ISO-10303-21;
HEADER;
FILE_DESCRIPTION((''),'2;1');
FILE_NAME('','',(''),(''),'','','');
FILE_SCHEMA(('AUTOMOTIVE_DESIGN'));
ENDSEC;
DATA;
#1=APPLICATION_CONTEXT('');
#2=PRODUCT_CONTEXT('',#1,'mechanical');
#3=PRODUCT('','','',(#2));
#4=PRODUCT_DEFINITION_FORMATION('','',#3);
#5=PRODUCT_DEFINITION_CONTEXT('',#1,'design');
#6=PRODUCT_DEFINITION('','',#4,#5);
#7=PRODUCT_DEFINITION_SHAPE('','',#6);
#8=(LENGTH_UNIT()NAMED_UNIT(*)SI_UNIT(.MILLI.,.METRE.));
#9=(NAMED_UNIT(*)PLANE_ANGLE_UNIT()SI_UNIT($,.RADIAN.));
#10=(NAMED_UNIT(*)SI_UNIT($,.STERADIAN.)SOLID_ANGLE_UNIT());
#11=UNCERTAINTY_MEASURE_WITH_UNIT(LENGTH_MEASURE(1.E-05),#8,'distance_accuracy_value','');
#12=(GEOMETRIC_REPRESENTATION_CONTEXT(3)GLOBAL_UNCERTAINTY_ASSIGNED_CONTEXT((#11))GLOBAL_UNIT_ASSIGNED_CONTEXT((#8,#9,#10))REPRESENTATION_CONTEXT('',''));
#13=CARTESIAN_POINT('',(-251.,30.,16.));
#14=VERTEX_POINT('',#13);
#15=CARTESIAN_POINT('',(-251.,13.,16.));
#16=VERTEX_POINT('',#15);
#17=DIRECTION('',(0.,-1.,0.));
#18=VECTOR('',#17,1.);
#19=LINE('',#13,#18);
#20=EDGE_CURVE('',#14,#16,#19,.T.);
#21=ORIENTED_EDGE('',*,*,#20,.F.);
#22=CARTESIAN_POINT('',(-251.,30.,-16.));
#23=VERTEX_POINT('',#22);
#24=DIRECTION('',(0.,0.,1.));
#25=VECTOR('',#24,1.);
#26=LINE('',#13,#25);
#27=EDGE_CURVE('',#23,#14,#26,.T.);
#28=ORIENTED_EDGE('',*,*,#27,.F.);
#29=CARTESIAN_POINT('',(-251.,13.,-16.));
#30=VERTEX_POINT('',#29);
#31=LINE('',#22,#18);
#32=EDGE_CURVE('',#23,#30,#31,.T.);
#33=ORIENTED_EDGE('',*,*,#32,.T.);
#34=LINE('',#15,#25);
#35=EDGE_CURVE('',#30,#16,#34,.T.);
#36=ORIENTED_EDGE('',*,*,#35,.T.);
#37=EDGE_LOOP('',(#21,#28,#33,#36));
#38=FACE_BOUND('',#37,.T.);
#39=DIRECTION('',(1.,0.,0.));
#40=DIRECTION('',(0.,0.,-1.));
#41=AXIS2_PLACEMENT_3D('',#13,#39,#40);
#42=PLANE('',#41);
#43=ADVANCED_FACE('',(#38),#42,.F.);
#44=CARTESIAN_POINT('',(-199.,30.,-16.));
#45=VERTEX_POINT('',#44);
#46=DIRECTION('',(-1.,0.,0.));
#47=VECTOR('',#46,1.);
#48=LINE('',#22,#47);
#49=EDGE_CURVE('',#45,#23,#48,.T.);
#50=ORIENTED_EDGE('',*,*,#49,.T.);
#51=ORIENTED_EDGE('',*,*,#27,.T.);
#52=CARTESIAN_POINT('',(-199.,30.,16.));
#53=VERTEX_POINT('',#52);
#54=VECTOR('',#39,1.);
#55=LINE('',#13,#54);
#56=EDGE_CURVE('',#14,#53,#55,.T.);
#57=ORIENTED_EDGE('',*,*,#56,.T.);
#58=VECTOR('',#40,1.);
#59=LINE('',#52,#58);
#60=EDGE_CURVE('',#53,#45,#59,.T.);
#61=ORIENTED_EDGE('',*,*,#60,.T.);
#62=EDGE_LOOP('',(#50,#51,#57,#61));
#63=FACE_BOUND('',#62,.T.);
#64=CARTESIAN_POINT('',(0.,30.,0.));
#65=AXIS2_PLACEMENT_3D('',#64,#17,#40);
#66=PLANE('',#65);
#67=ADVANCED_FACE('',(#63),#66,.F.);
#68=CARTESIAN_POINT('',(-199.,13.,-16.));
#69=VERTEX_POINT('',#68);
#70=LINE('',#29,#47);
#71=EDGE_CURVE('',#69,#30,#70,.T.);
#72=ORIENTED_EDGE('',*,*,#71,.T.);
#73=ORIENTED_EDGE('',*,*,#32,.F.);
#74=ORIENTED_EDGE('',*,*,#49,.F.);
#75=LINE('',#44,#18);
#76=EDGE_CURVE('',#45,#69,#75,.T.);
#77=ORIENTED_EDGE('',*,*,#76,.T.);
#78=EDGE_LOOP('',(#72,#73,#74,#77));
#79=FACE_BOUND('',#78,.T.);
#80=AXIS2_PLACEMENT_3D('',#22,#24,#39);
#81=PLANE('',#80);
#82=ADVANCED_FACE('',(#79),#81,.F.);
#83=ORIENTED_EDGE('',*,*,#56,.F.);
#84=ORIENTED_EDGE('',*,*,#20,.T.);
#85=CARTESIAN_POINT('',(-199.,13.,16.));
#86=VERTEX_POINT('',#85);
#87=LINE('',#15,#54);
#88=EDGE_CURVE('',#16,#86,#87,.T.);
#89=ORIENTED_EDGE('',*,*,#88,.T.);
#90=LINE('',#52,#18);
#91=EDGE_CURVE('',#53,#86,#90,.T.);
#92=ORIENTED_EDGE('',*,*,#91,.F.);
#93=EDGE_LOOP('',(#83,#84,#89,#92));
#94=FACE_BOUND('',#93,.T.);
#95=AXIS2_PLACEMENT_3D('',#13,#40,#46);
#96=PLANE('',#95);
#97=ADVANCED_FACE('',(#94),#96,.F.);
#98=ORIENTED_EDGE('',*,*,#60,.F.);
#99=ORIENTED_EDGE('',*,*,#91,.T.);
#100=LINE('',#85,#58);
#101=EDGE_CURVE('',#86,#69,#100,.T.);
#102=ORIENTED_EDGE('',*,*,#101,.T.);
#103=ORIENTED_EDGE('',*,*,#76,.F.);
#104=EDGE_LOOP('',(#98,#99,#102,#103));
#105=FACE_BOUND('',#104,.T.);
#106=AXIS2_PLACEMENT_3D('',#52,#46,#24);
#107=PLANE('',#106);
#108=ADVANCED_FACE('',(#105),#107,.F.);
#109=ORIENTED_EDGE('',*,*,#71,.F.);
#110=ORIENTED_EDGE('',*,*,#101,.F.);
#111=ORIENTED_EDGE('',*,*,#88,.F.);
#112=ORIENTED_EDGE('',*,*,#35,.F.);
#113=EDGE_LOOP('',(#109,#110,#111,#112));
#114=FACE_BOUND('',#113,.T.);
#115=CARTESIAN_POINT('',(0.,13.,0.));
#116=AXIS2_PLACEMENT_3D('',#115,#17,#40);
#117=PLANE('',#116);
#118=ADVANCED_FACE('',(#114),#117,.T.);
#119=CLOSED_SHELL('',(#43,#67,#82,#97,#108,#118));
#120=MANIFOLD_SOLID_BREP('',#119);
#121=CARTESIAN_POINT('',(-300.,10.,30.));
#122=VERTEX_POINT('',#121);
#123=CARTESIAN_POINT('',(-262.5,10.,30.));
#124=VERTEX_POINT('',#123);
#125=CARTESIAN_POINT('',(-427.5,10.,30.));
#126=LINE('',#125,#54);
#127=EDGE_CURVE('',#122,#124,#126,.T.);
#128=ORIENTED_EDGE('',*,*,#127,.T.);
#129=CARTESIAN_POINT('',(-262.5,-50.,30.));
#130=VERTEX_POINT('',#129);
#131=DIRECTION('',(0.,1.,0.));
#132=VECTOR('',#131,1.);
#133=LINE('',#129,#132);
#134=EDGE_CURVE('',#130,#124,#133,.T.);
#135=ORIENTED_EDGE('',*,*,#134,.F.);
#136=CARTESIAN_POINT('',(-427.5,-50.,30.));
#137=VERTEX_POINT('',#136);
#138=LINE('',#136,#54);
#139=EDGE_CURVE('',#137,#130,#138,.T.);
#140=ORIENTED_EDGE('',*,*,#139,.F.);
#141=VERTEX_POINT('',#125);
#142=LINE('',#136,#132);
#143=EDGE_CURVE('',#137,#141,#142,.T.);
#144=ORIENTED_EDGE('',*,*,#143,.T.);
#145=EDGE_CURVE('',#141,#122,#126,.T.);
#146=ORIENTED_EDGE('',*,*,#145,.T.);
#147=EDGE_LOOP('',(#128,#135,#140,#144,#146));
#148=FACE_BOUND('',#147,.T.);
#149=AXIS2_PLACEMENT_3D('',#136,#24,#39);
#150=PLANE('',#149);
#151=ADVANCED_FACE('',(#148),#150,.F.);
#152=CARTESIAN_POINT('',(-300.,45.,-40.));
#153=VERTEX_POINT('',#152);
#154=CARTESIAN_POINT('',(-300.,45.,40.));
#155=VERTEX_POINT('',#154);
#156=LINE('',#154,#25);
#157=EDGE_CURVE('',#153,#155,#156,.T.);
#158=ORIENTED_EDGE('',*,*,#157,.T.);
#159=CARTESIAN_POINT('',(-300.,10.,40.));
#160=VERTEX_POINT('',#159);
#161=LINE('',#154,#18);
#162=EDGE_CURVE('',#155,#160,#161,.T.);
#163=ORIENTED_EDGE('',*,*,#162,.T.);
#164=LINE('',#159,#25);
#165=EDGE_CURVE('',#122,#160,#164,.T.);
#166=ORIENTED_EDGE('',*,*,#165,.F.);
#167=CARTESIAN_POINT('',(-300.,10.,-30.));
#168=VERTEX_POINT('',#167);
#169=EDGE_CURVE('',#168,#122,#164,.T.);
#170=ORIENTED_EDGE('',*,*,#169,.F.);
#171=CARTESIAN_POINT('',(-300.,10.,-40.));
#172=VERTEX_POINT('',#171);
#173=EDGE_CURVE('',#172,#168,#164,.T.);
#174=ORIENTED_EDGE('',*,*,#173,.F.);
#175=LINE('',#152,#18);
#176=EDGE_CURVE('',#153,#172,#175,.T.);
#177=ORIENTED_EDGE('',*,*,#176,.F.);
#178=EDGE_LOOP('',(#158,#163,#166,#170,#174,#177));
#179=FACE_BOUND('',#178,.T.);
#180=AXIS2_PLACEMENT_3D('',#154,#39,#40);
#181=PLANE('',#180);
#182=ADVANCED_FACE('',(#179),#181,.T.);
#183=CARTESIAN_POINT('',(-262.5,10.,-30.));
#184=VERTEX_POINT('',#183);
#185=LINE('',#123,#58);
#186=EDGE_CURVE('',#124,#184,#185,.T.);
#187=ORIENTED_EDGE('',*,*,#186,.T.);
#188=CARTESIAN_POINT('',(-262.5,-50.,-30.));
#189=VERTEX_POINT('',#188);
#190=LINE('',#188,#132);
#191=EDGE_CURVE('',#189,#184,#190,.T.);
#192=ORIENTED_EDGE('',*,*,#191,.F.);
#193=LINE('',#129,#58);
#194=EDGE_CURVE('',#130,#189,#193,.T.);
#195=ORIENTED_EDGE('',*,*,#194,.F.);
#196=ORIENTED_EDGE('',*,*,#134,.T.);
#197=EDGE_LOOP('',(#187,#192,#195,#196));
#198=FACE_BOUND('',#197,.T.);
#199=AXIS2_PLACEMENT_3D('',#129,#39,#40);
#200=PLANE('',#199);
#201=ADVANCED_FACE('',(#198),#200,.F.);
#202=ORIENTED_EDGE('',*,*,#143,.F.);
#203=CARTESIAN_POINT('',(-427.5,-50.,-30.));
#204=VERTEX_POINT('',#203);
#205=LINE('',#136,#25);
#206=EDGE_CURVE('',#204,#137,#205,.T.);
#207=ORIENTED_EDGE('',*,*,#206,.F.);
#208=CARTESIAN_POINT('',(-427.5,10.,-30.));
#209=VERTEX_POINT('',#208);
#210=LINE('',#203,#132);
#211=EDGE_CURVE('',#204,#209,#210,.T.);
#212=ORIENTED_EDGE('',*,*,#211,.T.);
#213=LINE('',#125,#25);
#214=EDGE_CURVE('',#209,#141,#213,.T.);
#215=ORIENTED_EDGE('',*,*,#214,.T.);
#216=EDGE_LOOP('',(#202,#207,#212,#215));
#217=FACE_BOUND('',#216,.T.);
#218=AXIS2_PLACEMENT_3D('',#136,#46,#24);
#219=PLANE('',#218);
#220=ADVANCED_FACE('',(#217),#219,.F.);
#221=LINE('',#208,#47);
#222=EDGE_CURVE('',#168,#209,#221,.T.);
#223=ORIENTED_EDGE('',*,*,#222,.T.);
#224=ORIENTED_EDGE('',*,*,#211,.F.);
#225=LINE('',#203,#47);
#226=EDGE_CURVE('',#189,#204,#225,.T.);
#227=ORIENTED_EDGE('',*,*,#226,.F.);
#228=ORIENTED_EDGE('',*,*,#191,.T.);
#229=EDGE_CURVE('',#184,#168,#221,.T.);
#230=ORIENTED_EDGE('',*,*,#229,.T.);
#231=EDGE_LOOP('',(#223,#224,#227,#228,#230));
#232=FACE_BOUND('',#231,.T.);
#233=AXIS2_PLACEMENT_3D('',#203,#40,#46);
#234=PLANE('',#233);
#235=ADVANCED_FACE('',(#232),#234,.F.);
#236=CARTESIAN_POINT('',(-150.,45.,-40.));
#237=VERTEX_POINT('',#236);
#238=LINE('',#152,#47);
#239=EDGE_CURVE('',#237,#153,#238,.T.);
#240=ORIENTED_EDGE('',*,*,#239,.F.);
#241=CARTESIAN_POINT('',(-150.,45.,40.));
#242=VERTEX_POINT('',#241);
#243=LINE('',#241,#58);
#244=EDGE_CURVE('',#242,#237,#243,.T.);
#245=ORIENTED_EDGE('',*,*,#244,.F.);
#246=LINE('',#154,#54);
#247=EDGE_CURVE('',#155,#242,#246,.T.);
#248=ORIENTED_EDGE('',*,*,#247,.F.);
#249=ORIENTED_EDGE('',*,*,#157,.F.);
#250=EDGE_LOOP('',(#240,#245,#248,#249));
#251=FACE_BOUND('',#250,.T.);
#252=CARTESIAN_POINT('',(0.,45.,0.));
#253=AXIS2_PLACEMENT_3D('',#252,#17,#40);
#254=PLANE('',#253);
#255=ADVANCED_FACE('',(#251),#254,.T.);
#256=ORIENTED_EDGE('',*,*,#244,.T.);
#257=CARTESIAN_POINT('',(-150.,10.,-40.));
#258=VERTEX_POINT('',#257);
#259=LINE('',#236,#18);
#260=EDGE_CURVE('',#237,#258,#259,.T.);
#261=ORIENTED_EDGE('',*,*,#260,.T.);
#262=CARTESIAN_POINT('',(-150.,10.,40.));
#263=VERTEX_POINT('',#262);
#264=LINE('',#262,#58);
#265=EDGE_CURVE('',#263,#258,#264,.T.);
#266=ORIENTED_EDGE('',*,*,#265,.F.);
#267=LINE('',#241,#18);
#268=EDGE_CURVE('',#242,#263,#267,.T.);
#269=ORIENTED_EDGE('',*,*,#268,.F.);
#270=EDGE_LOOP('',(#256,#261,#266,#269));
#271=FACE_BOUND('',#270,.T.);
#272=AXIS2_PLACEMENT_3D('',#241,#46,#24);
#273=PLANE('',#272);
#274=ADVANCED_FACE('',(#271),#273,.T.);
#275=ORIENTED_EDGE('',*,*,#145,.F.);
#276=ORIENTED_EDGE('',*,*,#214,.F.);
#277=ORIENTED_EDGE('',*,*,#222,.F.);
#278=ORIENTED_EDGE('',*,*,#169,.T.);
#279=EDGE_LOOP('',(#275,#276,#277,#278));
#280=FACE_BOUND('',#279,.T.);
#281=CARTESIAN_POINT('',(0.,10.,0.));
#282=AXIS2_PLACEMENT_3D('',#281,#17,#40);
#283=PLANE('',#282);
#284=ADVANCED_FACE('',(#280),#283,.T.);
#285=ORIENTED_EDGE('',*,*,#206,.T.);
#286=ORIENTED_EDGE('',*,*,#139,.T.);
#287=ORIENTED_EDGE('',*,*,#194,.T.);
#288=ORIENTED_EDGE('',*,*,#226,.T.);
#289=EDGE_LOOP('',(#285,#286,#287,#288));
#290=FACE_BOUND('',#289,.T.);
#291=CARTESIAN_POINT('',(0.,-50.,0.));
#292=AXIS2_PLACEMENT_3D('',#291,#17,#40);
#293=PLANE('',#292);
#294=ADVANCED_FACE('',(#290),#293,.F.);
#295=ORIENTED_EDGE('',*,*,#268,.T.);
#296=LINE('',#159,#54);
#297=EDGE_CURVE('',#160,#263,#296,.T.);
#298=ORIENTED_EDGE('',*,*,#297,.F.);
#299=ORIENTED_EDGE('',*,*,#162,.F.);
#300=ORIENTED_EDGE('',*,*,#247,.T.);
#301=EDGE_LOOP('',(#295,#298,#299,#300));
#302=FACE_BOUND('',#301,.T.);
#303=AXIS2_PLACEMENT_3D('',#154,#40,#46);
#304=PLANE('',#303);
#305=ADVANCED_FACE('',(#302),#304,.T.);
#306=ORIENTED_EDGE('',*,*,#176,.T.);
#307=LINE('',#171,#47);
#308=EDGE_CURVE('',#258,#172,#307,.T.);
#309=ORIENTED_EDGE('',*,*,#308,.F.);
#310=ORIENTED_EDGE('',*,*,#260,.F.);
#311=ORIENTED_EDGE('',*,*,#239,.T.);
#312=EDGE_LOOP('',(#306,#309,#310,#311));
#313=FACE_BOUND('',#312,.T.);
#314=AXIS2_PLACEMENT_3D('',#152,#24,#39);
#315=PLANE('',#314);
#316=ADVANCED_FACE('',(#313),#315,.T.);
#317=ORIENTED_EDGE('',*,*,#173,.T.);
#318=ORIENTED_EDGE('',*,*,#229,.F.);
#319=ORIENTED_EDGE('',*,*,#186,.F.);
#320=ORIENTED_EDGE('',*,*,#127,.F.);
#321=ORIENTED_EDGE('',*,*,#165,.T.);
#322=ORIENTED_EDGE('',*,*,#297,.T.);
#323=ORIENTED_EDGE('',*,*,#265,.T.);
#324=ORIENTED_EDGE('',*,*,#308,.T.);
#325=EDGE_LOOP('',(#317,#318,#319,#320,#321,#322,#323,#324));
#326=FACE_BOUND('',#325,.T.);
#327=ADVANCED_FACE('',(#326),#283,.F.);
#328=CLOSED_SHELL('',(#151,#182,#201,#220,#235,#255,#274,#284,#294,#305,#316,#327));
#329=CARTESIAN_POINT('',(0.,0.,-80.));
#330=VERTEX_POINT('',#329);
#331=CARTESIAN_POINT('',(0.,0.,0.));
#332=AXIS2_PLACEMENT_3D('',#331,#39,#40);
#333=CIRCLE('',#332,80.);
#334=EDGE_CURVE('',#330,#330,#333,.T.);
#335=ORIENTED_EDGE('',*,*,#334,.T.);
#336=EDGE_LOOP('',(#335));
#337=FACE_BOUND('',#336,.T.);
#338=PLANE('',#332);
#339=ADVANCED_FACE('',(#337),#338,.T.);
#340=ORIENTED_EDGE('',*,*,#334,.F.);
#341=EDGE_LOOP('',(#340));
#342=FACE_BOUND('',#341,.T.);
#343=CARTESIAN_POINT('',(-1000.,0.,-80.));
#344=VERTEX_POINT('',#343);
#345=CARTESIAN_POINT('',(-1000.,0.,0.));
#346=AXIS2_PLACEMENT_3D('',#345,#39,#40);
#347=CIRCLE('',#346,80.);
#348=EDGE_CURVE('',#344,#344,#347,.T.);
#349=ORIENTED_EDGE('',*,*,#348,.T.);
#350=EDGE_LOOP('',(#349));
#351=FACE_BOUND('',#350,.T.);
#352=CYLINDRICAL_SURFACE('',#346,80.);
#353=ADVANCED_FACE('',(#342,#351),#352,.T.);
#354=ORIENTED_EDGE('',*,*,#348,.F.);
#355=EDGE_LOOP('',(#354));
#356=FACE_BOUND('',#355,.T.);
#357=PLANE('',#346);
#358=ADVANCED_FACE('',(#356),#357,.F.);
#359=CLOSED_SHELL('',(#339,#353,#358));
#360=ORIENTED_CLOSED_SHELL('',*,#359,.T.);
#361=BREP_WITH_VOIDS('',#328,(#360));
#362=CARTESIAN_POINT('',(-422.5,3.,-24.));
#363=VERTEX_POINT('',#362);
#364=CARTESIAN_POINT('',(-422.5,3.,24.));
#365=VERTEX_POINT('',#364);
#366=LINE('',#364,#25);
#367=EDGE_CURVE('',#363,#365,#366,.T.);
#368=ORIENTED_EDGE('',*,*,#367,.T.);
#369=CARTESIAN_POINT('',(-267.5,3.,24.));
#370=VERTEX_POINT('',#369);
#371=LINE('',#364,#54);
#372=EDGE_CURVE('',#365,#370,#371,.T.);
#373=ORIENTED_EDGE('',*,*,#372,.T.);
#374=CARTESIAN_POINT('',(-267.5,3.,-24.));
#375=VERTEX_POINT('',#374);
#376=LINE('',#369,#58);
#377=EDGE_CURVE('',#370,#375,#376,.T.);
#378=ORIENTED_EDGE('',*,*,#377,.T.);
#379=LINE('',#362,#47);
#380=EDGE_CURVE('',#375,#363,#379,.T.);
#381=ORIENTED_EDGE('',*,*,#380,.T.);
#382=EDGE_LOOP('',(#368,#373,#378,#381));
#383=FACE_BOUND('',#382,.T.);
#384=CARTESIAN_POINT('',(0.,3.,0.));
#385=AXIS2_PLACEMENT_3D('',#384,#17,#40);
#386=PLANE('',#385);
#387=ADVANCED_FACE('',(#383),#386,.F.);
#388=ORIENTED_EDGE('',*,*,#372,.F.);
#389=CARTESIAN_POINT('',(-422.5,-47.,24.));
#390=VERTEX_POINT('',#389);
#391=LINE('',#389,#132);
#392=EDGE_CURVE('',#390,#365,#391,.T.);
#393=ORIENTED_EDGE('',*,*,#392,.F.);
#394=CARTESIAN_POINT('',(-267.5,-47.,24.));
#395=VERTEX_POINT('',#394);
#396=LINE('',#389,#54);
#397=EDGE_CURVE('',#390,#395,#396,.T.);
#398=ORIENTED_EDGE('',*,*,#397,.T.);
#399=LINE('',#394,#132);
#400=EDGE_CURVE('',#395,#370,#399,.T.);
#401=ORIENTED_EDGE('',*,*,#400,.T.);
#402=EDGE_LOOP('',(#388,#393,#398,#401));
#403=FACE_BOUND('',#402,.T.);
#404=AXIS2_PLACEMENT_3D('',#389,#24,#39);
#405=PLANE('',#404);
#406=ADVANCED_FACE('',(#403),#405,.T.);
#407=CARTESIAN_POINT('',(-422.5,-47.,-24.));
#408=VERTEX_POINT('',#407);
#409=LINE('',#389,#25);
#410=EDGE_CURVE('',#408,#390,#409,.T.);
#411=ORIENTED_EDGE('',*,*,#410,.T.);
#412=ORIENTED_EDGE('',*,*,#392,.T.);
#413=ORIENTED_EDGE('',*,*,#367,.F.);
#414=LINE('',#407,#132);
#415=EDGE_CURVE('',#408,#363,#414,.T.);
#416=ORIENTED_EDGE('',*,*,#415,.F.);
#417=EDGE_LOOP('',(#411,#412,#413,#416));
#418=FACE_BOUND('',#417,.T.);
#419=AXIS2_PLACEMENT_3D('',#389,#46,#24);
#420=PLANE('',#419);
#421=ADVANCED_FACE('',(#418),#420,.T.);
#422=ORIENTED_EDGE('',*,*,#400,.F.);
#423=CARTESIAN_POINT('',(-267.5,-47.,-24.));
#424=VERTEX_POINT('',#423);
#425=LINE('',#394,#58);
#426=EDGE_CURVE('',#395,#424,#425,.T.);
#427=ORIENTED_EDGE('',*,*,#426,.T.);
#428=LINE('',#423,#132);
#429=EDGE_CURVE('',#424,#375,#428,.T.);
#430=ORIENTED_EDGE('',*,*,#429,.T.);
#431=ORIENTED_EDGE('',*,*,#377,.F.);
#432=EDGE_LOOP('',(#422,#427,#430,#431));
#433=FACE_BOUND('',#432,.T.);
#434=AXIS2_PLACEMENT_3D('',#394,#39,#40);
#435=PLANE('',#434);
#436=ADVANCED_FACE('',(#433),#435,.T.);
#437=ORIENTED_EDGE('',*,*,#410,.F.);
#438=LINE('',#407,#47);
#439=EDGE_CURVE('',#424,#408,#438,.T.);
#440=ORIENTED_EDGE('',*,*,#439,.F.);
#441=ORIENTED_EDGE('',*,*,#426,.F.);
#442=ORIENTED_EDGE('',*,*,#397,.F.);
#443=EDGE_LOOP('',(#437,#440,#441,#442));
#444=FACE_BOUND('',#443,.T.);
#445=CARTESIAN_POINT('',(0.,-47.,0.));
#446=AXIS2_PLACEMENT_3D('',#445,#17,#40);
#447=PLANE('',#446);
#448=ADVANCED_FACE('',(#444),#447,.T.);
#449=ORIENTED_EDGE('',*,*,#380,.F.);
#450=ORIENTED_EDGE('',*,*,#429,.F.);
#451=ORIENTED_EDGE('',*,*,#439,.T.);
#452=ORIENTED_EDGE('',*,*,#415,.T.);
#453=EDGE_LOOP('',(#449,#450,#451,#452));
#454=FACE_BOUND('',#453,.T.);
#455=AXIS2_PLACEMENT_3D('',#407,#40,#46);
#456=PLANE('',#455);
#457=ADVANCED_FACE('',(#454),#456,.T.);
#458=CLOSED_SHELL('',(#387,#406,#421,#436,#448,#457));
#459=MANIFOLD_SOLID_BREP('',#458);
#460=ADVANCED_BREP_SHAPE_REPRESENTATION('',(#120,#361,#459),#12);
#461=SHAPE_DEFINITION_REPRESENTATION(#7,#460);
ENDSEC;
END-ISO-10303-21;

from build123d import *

# Parameters (mm, degrees)
SKETCH1_R          = 80
FOAMBODY_DEPTH     = 1000
BATTERY_START      = 10
SKETCH2_W          = 165
SKETCH2_H          = 60
BATTERY_BAY_DEPTH  = 60
FOAM_START         = 10
SKETCH3_W          = 150
SKETCH3_H          = 80
FOAM_DEPTH         = 35
BATTERY_DEPTH      = 3
BATTERY_DEPTH_BACK = 47
SKETCH4_W          = 155
SKETCH4_H          = 48
FC_START           = 13
SKETCH5_W          = 52
SKETCH5_H          = 32
FC_DEPTH           = 17


with BuildPart() as part:
    # Sketch1 → FoamBody (new body)
    with BuildSketch(Plane(origin=(0, 0, 0), x_dir=(0, 0, -1), z_dir=(1, 0, 0))):
        Circle(SKETCH1_R)
    extrude(amount=-FOAMBODY_DEPTH)

    # Sketch2 → battery bay (cut)
    with BuildSketch(Plane(origin=(0, 0, 0), x_dir=(1, 0, 0), z_dir=(0, 1, 0)).offset(BATTERY_START)):
        with Locations((-345, 0)):
            Rectangle(SKETCH2_W, SKETCH2_H)
    extrude(amount=-BATTERY_BAY_DEPTH, mode=Mode.SUBTRACT)

    # Sketch3 → Foam (cut)
    with BuildSketch(Plane(origin=(0, 0, 0), x_dir=(1, 0, 0), z_dir=(0, 1, 0)).offset(FOAM_START)):
        with Locations((-225, 0)):
            Rectangle(SKETCH3_W, SKETCH3_H)
    extrude(amount=FOAM_DEPTH, mode=Mode.SUBTRACT)


with BuildPart() as body_2:
    # Sketch4 → Battery (new, two sides: drawn at the far end of the back side and taken through both)
    with BuildSketch(Plane(origin=(0, 0, 0), x_dir=(1, 0, 0), z_dir=(0, 1, 0)).offset(-BATTERY_DEPTH_BACK)):
        with Locations((-345, 0)):
            Rectangle(SKETCH4_W, SKETCH4_H)
    extrude(amount=BATTERY_DEPTH + BATTERY_DEPTH_BACK)


with BuildPart() as body_3:
    # Sketch5 → FC (new body)
    with BuildSketch(Plane(origin=(0, 0, 0), x_dir=(1, 0, 0), z_dir=(0, 1, 0)).offset(FC_START)):
        with Locations((-225, 0)):
            Rectangle(SKETCH5_W, SKETCH5_H)
    extrude(amount=FC_DEPTH)


solid = Compound([part.part, body_2.part, body_3.part])
